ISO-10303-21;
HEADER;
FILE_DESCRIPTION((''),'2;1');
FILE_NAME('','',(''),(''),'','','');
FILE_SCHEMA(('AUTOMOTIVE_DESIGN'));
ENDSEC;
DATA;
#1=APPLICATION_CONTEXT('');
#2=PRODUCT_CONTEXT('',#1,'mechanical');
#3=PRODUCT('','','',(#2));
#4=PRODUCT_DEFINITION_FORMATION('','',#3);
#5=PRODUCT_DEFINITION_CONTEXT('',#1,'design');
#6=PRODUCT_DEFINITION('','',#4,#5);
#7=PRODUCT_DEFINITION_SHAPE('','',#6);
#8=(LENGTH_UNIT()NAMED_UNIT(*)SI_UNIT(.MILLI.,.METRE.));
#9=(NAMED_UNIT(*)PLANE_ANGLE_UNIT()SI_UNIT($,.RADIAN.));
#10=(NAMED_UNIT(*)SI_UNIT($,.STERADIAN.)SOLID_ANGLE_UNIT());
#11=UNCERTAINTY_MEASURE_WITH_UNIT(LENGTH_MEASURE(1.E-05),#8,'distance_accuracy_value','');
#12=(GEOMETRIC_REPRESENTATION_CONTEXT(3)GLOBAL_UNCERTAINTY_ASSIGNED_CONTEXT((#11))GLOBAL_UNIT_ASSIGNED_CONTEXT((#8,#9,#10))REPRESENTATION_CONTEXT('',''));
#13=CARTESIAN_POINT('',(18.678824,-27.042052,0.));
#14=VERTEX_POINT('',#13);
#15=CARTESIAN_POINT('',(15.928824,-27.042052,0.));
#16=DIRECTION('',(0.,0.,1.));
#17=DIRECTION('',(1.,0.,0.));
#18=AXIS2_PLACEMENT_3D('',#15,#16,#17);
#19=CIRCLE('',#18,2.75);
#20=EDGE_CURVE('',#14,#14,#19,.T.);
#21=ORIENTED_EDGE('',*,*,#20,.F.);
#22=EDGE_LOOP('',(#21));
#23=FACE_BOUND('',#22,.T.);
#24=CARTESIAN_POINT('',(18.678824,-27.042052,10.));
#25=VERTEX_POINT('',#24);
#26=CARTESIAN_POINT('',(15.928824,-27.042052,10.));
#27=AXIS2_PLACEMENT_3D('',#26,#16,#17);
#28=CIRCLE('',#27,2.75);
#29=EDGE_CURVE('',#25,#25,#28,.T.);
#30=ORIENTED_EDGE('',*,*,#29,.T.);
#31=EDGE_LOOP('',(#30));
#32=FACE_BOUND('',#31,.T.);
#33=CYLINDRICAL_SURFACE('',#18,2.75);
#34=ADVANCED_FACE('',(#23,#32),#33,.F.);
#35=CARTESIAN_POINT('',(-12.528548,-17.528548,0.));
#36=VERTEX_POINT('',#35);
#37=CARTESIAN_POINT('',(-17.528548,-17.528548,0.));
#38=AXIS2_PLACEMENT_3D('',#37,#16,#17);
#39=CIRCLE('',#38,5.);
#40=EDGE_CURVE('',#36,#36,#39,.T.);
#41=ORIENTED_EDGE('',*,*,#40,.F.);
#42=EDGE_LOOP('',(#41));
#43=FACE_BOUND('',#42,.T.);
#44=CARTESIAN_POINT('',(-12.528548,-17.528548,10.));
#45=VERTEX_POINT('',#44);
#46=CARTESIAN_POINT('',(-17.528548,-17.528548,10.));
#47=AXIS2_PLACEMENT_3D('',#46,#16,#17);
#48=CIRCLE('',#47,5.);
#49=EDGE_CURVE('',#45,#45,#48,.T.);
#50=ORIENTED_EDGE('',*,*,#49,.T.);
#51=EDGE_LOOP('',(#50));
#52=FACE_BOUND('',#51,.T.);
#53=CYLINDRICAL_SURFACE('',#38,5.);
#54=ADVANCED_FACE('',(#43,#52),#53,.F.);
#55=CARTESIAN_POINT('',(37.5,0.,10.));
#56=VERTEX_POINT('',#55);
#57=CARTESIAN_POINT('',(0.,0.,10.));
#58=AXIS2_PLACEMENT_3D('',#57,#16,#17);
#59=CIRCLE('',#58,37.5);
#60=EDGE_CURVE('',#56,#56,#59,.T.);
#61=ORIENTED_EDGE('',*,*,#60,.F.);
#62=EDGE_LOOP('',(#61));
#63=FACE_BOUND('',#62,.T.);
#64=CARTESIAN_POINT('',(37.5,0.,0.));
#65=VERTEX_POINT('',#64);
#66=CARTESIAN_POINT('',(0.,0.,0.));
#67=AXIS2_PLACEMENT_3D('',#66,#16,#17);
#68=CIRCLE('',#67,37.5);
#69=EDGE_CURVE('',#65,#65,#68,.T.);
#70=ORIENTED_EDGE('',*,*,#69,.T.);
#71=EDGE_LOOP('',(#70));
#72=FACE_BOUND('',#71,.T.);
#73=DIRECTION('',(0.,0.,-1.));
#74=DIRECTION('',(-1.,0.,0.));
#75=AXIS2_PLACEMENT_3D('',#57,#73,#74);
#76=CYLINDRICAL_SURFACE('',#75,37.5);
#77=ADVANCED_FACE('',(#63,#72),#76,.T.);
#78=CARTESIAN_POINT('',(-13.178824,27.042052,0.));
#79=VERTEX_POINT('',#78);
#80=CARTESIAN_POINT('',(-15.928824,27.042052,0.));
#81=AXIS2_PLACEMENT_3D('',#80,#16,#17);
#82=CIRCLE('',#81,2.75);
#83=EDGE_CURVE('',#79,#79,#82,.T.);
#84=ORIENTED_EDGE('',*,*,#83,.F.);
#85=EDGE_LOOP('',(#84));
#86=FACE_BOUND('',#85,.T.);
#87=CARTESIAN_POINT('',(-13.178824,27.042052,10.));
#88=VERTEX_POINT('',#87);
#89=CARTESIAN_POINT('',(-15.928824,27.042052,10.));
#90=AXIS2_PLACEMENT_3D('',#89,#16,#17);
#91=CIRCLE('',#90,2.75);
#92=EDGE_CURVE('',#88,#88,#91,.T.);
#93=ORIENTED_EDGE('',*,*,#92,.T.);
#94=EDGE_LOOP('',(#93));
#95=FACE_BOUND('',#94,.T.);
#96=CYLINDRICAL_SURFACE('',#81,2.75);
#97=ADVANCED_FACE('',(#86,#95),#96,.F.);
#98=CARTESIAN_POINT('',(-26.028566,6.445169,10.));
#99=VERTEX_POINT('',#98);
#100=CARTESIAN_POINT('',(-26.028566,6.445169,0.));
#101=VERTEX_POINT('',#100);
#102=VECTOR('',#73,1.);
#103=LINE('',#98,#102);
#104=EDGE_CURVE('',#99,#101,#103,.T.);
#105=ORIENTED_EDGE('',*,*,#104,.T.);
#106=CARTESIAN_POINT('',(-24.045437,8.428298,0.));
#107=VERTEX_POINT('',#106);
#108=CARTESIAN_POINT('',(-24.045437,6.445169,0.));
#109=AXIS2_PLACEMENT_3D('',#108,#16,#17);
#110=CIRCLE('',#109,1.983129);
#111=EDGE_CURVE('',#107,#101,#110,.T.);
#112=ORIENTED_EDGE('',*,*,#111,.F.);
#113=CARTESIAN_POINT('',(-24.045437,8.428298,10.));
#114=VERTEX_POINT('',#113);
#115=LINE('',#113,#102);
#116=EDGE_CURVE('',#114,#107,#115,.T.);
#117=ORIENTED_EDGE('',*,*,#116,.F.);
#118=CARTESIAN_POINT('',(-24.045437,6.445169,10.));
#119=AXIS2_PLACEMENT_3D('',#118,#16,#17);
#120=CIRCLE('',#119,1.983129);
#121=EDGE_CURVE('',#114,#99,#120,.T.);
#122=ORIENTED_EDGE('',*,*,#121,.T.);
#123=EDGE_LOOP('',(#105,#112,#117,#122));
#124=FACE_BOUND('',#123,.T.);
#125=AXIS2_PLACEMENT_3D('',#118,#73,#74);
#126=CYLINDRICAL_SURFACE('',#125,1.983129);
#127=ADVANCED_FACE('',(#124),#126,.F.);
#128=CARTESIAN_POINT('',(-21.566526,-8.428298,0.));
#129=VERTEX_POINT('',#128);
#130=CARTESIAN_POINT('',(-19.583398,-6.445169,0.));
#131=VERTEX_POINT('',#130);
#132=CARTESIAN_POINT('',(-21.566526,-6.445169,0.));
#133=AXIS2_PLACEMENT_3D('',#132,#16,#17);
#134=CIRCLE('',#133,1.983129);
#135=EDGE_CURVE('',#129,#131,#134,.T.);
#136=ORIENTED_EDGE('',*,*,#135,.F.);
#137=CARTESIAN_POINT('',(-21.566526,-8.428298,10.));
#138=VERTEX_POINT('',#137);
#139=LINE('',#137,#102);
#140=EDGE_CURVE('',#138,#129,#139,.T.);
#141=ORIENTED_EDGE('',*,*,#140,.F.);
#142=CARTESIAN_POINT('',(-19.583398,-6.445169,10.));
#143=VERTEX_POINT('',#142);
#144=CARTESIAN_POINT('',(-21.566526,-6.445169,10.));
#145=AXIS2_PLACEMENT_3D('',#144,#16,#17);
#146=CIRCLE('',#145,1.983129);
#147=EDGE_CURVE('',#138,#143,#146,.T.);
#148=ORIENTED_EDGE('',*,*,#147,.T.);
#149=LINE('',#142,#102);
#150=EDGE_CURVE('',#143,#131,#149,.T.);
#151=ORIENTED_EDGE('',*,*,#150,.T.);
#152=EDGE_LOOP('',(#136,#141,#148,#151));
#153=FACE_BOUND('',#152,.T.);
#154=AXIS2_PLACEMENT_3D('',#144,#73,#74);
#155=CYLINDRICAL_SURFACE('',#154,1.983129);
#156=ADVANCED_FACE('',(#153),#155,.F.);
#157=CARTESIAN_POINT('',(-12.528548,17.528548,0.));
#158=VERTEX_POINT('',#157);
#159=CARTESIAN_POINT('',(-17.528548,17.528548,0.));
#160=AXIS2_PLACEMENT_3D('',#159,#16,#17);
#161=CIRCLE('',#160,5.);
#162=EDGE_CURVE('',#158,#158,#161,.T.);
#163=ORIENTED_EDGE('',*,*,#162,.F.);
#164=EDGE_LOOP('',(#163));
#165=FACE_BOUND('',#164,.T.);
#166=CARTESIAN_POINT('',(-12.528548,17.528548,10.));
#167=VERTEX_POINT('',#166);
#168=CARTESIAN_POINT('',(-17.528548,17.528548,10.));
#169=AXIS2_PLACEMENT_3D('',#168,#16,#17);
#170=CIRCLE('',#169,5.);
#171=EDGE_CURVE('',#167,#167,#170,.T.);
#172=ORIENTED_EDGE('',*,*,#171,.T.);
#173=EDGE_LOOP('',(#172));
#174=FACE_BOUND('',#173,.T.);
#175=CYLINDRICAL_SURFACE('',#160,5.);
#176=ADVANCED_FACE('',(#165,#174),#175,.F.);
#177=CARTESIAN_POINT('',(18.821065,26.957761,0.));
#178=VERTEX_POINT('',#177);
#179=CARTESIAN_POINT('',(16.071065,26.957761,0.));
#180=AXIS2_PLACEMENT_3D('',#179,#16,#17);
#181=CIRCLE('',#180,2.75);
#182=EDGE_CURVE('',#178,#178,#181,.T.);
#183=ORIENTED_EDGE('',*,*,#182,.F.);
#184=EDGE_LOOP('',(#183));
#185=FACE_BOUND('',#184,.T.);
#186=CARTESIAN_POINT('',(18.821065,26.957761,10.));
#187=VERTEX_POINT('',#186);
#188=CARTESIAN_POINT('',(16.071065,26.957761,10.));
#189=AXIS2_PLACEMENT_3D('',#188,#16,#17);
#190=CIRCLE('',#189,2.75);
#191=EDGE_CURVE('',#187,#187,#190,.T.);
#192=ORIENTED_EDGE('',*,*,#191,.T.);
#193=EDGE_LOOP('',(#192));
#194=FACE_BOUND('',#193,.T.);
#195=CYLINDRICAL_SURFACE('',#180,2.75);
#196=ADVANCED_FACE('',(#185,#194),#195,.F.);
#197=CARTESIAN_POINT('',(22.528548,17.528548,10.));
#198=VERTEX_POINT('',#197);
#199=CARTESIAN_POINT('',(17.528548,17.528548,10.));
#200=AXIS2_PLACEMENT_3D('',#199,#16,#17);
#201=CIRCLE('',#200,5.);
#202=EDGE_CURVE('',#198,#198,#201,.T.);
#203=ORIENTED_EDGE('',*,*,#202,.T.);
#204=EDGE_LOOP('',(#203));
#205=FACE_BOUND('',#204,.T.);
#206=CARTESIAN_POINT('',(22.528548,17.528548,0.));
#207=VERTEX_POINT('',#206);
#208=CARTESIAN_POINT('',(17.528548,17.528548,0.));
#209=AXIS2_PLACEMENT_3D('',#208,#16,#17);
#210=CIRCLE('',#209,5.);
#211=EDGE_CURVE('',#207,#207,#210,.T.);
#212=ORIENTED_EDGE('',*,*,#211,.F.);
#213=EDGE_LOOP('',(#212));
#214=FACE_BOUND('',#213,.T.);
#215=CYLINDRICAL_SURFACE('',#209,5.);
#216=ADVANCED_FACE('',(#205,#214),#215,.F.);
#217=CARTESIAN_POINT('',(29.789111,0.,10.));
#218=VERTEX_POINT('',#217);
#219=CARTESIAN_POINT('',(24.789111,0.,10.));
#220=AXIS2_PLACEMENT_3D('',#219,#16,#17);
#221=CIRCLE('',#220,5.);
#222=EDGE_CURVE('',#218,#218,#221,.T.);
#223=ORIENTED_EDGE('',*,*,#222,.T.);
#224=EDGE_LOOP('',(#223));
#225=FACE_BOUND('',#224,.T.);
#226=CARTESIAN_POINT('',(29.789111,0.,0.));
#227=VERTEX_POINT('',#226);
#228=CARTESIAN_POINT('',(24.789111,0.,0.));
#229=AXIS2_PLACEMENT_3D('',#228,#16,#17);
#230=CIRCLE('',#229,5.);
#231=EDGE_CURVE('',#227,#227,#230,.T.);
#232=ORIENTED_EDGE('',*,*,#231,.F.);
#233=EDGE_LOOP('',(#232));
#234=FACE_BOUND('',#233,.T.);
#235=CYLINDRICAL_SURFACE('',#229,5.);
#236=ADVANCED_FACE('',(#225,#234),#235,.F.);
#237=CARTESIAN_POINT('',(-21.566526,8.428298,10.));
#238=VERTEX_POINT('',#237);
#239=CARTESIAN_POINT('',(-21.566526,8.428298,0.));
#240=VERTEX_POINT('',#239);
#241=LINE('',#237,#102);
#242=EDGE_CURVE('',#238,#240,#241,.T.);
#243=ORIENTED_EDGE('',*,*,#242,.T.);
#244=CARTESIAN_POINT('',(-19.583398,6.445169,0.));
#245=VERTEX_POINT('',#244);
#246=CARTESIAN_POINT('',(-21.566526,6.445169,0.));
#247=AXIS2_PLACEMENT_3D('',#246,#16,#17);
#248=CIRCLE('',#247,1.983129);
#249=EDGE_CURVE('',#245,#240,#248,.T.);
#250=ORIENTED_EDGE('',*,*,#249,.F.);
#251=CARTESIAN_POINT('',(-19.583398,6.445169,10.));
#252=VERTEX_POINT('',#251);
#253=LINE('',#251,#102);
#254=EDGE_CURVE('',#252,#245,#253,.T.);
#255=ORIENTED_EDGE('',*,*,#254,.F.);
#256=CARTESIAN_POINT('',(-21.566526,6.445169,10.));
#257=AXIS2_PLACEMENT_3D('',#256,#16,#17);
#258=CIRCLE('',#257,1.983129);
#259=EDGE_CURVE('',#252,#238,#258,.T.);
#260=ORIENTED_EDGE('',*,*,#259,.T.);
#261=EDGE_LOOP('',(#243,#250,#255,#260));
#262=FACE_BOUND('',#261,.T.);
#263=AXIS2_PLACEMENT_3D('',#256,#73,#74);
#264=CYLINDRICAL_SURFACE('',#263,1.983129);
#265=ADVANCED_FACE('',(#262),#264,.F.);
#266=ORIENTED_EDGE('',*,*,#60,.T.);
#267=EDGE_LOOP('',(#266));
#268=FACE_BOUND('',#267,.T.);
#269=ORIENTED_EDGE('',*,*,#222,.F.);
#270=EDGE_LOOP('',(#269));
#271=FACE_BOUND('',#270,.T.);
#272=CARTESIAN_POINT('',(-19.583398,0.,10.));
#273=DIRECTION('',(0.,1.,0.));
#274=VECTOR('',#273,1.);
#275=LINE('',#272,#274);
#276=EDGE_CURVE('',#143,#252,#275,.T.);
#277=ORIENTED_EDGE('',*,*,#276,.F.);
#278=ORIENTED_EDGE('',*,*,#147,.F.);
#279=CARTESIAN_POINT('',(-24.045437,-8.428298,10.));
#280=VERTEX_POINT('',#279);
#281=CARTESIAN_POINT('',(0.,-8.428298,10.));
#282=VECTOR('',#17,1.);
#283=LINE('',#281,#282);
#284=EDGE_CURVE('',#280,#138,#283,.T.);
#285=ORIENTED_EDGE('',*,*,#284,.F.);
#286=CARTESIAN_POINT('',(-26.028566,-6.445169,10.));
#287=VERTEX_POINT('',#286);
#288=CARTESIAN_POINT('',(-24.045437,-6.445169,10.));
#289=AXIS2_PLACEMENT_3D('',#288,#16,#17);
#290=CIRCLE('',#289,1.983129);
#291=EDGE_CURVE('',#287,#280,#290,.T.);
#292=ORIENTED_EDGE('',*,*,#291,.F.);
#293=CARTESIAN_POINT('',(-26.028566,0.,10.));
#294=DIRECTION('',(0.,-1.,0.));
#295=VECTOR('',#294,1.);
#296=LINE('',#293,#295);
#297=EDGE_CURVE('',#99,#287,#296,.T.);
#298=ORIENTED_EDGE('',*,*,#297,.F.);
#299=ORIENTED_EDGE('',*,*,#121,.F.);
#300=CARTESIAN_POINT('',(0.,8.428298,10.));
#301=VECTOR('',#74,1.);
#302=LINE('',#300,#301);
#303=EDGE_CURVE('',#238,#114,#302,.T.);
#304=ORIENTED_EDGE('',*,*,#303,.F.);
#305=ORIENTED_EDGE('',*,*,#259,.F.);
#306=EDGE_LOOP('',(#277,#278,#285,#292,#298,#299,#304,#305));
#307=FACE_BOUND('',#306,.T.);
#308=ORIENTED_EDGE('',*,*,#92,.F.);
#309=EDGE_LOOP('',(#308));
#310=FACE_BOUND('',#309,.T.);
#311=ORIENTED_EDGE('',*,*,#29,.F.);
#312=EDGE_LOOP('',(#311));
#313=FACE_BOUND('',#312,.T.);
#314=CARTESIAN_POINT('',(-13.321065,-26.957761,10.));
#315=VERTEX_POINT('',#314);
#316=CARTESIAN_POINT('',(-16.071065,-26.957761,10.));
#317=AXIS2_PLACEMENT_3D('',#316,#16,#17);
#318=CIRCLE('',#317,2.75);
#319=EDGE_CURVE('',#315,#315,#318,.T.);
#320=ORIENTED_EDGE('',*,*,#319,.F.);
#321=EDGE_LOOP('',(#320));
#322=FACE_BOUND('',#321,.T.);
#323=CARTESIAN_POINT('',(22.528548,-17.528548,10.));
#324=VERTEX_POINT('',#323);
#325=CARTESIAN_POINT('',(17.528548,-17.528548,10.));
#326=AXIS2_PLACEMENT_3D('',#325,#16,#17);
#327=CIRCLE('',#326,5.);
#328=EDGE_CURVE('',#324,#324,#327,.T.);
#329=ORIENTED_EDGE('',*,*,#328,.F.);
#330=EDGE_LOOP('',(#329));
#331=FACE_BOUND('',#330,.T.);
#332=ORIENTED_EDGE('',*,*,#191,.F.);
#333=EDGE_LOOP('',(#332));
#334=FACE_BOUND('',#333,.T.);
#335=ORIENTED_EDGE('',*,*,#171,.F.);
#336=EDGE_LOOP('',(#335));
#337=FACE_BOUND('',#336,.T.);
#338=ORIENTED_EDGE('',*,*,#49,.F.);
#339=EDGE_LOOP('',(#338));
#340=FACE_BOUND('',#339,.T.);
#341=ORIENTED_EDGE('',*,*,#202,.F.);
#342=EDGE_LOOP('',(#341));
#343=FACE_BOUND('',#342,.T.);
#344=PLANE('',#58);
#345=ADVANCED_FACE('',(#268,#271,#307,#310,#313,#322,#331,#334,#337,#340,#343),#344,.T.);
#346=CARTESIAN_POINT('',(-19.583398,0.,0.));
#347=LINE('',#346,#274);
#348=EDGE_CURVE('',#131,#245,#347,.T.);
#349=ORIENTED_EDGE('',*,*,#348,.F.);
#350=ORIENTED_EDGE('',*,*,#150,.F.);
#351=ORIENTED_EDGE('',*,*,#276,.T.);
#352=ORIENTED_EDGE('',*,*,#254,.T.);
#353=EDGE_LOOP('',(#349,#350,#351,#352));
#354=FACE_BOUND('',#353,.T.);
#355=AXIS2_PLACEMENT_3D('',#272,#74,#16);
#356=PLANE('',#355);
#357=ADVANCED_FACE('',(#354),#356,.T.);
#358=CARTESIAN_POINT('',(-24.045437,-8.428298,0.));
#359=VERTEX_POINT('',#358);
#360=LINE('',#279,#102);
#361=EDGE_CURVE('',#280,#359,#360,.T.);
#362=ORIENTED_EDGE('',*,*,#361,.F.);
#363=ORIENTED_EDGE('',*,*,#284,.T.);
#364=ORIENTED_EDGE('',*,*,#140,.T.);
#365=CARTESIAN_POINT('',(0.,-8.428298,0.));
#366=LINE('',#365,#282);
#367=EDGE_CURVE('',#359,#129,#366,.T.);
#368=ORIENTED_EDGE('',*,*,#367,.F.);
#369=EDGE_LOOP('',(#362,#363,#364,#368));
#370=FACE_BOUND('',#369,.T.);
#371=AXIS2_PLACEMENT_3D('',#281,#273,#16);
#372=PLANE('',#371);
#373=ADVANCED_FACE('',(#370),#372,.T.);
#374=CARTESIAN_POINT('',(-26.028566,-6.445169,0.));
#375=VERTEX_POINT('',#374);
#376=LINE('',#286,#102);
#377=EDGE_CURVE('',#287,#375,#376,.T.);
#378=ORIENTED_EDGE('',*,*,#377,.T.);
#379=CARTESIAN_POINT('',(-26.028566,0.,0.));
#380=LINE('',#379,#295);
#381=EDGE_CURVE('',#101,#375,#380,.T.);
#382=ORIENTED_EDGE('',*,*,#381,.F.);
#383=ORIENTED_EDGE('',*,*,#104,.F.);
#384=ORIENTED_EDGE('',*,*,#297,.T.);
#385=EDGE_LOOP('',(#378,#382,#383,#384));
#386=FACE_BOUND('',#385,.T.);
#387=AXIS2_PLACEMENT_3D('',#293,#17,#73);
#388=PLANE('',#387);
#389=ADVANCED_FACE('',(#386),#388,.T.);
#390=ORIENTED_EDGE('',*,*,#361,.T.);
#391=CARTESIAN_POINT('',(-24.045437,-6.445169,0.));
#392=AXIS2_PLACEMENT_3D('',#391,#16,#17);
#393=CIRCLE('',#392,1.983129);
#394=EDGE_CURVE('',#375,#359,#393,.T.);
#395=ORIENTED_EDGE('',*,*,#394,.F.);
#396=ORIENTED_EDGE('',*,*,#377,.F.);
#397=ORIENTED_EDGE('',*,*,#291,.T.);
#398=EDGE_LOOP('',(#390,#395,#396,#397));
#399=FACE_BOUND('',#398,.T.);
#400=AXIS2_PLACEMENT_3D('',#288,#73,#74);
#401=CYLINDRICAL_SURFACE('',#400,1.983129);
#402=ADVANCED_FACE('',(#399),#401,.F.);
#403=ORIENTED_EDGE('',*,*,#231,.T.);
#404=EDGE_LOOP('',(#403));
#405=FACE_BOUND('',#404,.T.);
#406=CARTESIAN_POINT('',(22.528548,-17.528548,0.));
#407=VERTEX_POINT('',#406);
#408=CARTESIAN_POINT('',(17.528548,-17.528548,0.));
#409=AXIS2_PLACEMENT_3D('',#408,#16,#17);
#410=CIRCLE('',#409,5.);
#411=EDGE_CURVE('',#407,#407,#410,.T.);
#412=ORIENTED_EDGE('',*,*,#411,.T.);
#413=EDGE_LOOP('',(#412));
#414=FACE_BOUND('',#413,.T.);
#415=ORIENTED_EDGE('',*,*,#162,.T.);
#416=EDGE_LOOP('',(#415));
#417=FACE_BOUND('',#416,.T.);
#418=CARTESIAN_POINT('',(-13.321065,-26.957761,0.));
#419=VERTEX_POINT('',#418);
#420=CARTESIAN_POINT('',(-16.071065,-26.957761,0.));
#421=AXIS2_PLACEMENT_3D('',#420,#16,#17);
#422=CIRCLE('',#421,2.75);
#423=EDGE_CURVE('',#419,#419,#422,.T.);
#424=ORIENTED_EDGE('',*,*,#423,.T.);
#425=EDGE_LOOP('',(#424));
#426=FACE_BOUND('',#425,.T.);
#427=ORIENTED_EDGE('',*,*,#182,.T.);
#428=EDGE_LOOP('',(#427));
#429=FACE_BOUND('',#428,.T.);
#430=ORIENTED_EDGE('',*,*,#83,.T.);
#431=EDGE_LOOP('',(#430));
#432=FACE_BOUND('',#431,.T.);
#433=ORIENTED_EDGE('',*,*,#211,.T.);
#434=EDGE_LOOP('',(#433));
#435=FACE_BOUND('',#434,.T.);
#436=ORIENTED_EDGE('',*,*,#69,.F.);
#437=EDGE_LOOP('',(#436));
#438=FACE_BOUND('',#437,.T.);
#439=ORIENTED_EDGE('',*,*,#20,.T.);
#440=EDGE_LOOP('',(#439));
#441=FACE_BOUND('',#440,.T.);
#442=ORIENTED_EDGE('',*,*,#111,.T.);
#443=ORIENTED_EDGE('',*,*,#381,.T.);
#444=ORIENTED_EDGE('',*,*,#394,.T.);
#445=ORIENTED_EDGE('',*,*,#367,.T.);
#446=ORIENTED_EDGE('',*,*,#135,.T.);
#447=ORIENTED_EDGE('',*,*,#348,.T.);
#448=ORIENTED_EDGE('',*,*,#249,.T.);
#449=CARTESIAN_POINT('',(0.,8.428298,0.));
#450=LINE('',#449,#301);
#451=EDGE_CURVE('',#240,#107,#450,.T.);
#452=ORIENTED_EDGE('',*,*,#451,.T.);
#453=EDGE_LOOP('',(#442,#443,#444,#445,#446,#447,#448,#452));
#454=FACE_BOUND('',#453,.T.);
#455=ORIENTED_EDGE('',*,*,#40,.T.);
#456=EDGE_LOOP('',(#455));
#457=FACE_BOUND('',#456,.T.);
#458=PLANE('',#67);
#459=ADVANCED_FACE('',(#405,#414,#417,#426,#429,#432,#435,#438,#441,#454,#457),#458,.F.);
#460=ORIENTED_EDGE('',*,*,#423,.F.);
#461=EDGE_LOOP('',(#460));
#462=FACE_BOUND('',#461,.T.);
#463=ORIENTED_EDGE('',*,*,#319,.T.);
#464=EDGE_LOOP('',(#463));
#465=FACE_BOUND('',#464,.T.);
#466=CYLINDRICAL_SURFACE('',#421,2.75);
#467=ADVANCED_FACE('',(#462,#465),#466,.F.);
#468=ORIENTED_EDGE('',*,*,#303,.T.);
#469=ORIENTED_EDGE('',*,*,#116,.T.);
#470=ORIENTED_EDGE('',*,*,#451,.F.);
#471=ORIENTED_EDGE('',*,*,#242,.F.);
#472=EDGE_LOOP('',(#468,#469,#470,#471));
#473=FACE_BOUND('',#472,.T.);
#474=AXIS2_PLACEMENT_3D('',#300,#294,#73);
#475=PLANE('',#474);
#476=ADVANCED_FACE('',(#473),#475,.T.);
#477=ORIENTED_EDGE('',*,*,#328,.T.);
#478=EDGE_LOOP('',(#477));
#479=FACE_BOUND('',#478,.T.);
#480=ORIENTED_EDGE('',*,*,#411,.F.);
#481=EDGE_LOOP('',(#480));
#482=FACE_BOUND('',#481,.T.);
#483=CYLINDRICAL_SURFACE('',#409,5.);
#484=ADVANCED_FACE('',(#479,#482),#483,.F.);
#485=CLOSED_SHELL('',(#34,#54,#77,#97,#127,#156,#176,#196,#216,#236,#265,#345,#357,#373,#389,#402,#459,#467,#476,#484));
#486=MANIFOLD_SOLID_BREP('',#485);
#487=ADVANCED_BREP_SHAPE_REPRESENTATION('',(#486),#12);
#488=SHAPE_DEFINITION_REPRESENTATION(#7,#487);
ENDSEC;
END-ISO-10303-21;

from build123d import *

# Parameters (mm, degrees)
SKETCH_1_R          = 37.5
EXTRUDE_1_DEPTH     = 10
SKETCH_2_R          = 5
CUT_EXTRUDE_1_DEPTH = 10
SKETCH_4_R          = 2.75
CUT_EXTRUDE_2_DEPTH = 10


with BuildPart() as part:
    # 草图1 → 凸台-拉伸1 (new body)
    with BuildSketch(Plane.XY):
        Circle(SKETCH_1_R)
        with BuildLine():
            ThreePointArc((-20.75113276, -17.528548354), (-17.528548354, -14.305963949), (-14.305963949, -17.528548354))
            ThreePointArc((-14.305963949, -17.528548354), (-17.528548354, -20.75113276), (-20.75113276, -17.528548354))
        make_face(mode=Mode.SUBTRACT)
        with BuildLine():
            ThreePointArc((14.305963949, -17.528548354), (17.528548354, -14.305963949), (20.75113276, -17.528548354))
            ThreePointArc((20.75113276, -17.528548354), (17.528548354, -20.75113276), (14.305963949, -17.528548354))
        make_face(mode=Mode.SUBTRACT)
        with BuildLine():
            Line((-24.045437487, 8.428297676), (-21.566526406, 8.428297676))
            ThreePointArc((-21.566526406, 8.428297676), (-20.68362959, 8.220920288), (-19.985383241, 7.642159365))
            ThreePointArc((-19.985383241, 7.642159365), (-19.686578169, 7.076512396), (-19.583397541, 6.445168811))
            Line((-19.583397541, 6.445168811), (-19.583397541, -6.445168811))
            ThreePointArc((-19.583397541, -6.445168811), (-20.164242538, -7.847452679), (-21.566526406, -8.428297676))
            Line((-21.566526406, -8.428297676), (-24.045437487, -8.428297676))
            ThreePointArc((-24.045437487, -8.428297676), (-25.447721356, -7.847452679), (-26.028566352, -6.445168811))
            Line((-26.028566352, -6.445168811), (-26.028566352, 6.445168811))
            ThreePointArc((-26.028566352, 6.445168811), (-25.447721356, 7.847452679), (-24.045437487, 8.428297676))
        make_face(mode=Mode.SUBTRACT)
        with BuildLine():
            ThreePointArc((-20.75113276, 17.528548354), (-17.528548354, 20.75113276), (-14.305963949, 17.528548354))
            ThreePointArc((-14.305963949, 17.528548354), (-17.528548354, 14.305963949), (-20.75113276, 17.528548354))
        make_face(mode=Mode.SUBTRACT)
        with BuildLine():
            ThreePointArc((14.305963949, 17.528548354), (17.528548354, 20.75113276), (20.75113276, 17.528548354))
            ThreePointArc((20.75113276, 17.528548354), (17.528548354, 14.305963949), (14.305963949, 17.528548354))
        make_face(mode=Mode.SUBTRACT)
        with BuildLine():
            ThreePointArc((21.814417514, 0), (24.789110812, 2.974693297), (27.763804109, 0))
            ThreePointArc((27.763804109, 0), (24.789110812, -2.974693297), (21.814417514, 0))
        make_face(mode=Mode.SUBTRACT)
    extrude(amount=EXTRUDE_1_DEPTH)

    # 草图2 → 切除-拉伸1 (cut)
    with BuildSketch(Plane.XY.offset(10)):
        with Locations((-17.528548354, 17.528548354)):
            Circle(SKETCH_2_R)
        with BuildLine():
            ThreePointArc((-20.75113276, 17.528548354), (-17.528548354, 14.305963949), (-14.305963949, 17.528548354))
            ThreePointArc((-14.305963949, 17.528548354), (-17.528548354, 20.75113276), (-20.75113276, 17.528548354))
        make_face(mode=Mode.SUBTRACT)
        with Locations((17.528548354, 17.528548354)):
            Circle(SKETCH_2_R)
        with BuildLine():
            ThreePointArc((20.75113276, 17.528548354), (17.528548354, 20.75113276), (14.305963949, 17.528548354))
            ThreePointArc((14.305963949, 17.528548354), (17.528548354, 14.305963949), (20.75113276, 17.528548354))
        make_face(mode=Mode.SUBTRACT)
        with Locations((-17.528548354, -17.528548354)):
            Circle(SKETCH_2_R)
        with BuildLine():
            ThreePointArc((-20.75113276, -17.528548354), (-17.528548354, -20.75113276), (-14.305963949, -17.528548354))
            ThreePointArc((-14.305963949, -17.528548354), (-17.528548354, -14.305963949), (-20.75113276, -17.528548354))
        make_face(mode=Mode.SUBTRACT)
        with Locations((17.528548354, -17.528548354)):
            Circle(SKETCH_2_R)
        with BuildLine():
            ThreePointArc((14.305963949, -17.528548354), (17.528548354, -20.75113276), (20.75113276, -17.528548354))
            ThreePointArc((20.75113276, -17.528548354), (17.528548354, -14.305963949), (14.305963949, -17.528548354))
        make_face(mode=Mode.SUBTRACT)
        with Locations((24.789110812, 0)):
            Circle(SKETCH_2_R)
        with BuildLine():
            ThreePointArc((21.814417514, 0), (24.789110812, -2.974693297), (27.763804109, 0))
            ThreePointArc((27.763804109, 0), (24.789110812, 2.974693297), (21.814417514, 0))
        make_face(mode=Mode.SUBTRACT)
    extrude(amount=-CUT_EXTRUDE_1_DEPTH, mode=Mode.SUBTRACT)

    # 草图4 → 切除-拉伸2 (cut)
    with BuildSketch(Plane.XY.offset(10)):
        with Locations((-16.071064876, -26.957760919)):
            Circle(SKETCH_4_R)
        with Locations((15.928824109, -27.042051743)):
            Circle(SKETCH_4_R)
        with Locations((16.071064876, 26.957760919)):
            Circle(SKETCH_4_R)
        with Locations((-15.928824109, 27.042051743)):
            Circle(SKETCH_4_R)
    extrude(amount=-CUT_EXTRUDE_2_DEPTH, mode=Mode.SUBTRACT)


solid = part.part
